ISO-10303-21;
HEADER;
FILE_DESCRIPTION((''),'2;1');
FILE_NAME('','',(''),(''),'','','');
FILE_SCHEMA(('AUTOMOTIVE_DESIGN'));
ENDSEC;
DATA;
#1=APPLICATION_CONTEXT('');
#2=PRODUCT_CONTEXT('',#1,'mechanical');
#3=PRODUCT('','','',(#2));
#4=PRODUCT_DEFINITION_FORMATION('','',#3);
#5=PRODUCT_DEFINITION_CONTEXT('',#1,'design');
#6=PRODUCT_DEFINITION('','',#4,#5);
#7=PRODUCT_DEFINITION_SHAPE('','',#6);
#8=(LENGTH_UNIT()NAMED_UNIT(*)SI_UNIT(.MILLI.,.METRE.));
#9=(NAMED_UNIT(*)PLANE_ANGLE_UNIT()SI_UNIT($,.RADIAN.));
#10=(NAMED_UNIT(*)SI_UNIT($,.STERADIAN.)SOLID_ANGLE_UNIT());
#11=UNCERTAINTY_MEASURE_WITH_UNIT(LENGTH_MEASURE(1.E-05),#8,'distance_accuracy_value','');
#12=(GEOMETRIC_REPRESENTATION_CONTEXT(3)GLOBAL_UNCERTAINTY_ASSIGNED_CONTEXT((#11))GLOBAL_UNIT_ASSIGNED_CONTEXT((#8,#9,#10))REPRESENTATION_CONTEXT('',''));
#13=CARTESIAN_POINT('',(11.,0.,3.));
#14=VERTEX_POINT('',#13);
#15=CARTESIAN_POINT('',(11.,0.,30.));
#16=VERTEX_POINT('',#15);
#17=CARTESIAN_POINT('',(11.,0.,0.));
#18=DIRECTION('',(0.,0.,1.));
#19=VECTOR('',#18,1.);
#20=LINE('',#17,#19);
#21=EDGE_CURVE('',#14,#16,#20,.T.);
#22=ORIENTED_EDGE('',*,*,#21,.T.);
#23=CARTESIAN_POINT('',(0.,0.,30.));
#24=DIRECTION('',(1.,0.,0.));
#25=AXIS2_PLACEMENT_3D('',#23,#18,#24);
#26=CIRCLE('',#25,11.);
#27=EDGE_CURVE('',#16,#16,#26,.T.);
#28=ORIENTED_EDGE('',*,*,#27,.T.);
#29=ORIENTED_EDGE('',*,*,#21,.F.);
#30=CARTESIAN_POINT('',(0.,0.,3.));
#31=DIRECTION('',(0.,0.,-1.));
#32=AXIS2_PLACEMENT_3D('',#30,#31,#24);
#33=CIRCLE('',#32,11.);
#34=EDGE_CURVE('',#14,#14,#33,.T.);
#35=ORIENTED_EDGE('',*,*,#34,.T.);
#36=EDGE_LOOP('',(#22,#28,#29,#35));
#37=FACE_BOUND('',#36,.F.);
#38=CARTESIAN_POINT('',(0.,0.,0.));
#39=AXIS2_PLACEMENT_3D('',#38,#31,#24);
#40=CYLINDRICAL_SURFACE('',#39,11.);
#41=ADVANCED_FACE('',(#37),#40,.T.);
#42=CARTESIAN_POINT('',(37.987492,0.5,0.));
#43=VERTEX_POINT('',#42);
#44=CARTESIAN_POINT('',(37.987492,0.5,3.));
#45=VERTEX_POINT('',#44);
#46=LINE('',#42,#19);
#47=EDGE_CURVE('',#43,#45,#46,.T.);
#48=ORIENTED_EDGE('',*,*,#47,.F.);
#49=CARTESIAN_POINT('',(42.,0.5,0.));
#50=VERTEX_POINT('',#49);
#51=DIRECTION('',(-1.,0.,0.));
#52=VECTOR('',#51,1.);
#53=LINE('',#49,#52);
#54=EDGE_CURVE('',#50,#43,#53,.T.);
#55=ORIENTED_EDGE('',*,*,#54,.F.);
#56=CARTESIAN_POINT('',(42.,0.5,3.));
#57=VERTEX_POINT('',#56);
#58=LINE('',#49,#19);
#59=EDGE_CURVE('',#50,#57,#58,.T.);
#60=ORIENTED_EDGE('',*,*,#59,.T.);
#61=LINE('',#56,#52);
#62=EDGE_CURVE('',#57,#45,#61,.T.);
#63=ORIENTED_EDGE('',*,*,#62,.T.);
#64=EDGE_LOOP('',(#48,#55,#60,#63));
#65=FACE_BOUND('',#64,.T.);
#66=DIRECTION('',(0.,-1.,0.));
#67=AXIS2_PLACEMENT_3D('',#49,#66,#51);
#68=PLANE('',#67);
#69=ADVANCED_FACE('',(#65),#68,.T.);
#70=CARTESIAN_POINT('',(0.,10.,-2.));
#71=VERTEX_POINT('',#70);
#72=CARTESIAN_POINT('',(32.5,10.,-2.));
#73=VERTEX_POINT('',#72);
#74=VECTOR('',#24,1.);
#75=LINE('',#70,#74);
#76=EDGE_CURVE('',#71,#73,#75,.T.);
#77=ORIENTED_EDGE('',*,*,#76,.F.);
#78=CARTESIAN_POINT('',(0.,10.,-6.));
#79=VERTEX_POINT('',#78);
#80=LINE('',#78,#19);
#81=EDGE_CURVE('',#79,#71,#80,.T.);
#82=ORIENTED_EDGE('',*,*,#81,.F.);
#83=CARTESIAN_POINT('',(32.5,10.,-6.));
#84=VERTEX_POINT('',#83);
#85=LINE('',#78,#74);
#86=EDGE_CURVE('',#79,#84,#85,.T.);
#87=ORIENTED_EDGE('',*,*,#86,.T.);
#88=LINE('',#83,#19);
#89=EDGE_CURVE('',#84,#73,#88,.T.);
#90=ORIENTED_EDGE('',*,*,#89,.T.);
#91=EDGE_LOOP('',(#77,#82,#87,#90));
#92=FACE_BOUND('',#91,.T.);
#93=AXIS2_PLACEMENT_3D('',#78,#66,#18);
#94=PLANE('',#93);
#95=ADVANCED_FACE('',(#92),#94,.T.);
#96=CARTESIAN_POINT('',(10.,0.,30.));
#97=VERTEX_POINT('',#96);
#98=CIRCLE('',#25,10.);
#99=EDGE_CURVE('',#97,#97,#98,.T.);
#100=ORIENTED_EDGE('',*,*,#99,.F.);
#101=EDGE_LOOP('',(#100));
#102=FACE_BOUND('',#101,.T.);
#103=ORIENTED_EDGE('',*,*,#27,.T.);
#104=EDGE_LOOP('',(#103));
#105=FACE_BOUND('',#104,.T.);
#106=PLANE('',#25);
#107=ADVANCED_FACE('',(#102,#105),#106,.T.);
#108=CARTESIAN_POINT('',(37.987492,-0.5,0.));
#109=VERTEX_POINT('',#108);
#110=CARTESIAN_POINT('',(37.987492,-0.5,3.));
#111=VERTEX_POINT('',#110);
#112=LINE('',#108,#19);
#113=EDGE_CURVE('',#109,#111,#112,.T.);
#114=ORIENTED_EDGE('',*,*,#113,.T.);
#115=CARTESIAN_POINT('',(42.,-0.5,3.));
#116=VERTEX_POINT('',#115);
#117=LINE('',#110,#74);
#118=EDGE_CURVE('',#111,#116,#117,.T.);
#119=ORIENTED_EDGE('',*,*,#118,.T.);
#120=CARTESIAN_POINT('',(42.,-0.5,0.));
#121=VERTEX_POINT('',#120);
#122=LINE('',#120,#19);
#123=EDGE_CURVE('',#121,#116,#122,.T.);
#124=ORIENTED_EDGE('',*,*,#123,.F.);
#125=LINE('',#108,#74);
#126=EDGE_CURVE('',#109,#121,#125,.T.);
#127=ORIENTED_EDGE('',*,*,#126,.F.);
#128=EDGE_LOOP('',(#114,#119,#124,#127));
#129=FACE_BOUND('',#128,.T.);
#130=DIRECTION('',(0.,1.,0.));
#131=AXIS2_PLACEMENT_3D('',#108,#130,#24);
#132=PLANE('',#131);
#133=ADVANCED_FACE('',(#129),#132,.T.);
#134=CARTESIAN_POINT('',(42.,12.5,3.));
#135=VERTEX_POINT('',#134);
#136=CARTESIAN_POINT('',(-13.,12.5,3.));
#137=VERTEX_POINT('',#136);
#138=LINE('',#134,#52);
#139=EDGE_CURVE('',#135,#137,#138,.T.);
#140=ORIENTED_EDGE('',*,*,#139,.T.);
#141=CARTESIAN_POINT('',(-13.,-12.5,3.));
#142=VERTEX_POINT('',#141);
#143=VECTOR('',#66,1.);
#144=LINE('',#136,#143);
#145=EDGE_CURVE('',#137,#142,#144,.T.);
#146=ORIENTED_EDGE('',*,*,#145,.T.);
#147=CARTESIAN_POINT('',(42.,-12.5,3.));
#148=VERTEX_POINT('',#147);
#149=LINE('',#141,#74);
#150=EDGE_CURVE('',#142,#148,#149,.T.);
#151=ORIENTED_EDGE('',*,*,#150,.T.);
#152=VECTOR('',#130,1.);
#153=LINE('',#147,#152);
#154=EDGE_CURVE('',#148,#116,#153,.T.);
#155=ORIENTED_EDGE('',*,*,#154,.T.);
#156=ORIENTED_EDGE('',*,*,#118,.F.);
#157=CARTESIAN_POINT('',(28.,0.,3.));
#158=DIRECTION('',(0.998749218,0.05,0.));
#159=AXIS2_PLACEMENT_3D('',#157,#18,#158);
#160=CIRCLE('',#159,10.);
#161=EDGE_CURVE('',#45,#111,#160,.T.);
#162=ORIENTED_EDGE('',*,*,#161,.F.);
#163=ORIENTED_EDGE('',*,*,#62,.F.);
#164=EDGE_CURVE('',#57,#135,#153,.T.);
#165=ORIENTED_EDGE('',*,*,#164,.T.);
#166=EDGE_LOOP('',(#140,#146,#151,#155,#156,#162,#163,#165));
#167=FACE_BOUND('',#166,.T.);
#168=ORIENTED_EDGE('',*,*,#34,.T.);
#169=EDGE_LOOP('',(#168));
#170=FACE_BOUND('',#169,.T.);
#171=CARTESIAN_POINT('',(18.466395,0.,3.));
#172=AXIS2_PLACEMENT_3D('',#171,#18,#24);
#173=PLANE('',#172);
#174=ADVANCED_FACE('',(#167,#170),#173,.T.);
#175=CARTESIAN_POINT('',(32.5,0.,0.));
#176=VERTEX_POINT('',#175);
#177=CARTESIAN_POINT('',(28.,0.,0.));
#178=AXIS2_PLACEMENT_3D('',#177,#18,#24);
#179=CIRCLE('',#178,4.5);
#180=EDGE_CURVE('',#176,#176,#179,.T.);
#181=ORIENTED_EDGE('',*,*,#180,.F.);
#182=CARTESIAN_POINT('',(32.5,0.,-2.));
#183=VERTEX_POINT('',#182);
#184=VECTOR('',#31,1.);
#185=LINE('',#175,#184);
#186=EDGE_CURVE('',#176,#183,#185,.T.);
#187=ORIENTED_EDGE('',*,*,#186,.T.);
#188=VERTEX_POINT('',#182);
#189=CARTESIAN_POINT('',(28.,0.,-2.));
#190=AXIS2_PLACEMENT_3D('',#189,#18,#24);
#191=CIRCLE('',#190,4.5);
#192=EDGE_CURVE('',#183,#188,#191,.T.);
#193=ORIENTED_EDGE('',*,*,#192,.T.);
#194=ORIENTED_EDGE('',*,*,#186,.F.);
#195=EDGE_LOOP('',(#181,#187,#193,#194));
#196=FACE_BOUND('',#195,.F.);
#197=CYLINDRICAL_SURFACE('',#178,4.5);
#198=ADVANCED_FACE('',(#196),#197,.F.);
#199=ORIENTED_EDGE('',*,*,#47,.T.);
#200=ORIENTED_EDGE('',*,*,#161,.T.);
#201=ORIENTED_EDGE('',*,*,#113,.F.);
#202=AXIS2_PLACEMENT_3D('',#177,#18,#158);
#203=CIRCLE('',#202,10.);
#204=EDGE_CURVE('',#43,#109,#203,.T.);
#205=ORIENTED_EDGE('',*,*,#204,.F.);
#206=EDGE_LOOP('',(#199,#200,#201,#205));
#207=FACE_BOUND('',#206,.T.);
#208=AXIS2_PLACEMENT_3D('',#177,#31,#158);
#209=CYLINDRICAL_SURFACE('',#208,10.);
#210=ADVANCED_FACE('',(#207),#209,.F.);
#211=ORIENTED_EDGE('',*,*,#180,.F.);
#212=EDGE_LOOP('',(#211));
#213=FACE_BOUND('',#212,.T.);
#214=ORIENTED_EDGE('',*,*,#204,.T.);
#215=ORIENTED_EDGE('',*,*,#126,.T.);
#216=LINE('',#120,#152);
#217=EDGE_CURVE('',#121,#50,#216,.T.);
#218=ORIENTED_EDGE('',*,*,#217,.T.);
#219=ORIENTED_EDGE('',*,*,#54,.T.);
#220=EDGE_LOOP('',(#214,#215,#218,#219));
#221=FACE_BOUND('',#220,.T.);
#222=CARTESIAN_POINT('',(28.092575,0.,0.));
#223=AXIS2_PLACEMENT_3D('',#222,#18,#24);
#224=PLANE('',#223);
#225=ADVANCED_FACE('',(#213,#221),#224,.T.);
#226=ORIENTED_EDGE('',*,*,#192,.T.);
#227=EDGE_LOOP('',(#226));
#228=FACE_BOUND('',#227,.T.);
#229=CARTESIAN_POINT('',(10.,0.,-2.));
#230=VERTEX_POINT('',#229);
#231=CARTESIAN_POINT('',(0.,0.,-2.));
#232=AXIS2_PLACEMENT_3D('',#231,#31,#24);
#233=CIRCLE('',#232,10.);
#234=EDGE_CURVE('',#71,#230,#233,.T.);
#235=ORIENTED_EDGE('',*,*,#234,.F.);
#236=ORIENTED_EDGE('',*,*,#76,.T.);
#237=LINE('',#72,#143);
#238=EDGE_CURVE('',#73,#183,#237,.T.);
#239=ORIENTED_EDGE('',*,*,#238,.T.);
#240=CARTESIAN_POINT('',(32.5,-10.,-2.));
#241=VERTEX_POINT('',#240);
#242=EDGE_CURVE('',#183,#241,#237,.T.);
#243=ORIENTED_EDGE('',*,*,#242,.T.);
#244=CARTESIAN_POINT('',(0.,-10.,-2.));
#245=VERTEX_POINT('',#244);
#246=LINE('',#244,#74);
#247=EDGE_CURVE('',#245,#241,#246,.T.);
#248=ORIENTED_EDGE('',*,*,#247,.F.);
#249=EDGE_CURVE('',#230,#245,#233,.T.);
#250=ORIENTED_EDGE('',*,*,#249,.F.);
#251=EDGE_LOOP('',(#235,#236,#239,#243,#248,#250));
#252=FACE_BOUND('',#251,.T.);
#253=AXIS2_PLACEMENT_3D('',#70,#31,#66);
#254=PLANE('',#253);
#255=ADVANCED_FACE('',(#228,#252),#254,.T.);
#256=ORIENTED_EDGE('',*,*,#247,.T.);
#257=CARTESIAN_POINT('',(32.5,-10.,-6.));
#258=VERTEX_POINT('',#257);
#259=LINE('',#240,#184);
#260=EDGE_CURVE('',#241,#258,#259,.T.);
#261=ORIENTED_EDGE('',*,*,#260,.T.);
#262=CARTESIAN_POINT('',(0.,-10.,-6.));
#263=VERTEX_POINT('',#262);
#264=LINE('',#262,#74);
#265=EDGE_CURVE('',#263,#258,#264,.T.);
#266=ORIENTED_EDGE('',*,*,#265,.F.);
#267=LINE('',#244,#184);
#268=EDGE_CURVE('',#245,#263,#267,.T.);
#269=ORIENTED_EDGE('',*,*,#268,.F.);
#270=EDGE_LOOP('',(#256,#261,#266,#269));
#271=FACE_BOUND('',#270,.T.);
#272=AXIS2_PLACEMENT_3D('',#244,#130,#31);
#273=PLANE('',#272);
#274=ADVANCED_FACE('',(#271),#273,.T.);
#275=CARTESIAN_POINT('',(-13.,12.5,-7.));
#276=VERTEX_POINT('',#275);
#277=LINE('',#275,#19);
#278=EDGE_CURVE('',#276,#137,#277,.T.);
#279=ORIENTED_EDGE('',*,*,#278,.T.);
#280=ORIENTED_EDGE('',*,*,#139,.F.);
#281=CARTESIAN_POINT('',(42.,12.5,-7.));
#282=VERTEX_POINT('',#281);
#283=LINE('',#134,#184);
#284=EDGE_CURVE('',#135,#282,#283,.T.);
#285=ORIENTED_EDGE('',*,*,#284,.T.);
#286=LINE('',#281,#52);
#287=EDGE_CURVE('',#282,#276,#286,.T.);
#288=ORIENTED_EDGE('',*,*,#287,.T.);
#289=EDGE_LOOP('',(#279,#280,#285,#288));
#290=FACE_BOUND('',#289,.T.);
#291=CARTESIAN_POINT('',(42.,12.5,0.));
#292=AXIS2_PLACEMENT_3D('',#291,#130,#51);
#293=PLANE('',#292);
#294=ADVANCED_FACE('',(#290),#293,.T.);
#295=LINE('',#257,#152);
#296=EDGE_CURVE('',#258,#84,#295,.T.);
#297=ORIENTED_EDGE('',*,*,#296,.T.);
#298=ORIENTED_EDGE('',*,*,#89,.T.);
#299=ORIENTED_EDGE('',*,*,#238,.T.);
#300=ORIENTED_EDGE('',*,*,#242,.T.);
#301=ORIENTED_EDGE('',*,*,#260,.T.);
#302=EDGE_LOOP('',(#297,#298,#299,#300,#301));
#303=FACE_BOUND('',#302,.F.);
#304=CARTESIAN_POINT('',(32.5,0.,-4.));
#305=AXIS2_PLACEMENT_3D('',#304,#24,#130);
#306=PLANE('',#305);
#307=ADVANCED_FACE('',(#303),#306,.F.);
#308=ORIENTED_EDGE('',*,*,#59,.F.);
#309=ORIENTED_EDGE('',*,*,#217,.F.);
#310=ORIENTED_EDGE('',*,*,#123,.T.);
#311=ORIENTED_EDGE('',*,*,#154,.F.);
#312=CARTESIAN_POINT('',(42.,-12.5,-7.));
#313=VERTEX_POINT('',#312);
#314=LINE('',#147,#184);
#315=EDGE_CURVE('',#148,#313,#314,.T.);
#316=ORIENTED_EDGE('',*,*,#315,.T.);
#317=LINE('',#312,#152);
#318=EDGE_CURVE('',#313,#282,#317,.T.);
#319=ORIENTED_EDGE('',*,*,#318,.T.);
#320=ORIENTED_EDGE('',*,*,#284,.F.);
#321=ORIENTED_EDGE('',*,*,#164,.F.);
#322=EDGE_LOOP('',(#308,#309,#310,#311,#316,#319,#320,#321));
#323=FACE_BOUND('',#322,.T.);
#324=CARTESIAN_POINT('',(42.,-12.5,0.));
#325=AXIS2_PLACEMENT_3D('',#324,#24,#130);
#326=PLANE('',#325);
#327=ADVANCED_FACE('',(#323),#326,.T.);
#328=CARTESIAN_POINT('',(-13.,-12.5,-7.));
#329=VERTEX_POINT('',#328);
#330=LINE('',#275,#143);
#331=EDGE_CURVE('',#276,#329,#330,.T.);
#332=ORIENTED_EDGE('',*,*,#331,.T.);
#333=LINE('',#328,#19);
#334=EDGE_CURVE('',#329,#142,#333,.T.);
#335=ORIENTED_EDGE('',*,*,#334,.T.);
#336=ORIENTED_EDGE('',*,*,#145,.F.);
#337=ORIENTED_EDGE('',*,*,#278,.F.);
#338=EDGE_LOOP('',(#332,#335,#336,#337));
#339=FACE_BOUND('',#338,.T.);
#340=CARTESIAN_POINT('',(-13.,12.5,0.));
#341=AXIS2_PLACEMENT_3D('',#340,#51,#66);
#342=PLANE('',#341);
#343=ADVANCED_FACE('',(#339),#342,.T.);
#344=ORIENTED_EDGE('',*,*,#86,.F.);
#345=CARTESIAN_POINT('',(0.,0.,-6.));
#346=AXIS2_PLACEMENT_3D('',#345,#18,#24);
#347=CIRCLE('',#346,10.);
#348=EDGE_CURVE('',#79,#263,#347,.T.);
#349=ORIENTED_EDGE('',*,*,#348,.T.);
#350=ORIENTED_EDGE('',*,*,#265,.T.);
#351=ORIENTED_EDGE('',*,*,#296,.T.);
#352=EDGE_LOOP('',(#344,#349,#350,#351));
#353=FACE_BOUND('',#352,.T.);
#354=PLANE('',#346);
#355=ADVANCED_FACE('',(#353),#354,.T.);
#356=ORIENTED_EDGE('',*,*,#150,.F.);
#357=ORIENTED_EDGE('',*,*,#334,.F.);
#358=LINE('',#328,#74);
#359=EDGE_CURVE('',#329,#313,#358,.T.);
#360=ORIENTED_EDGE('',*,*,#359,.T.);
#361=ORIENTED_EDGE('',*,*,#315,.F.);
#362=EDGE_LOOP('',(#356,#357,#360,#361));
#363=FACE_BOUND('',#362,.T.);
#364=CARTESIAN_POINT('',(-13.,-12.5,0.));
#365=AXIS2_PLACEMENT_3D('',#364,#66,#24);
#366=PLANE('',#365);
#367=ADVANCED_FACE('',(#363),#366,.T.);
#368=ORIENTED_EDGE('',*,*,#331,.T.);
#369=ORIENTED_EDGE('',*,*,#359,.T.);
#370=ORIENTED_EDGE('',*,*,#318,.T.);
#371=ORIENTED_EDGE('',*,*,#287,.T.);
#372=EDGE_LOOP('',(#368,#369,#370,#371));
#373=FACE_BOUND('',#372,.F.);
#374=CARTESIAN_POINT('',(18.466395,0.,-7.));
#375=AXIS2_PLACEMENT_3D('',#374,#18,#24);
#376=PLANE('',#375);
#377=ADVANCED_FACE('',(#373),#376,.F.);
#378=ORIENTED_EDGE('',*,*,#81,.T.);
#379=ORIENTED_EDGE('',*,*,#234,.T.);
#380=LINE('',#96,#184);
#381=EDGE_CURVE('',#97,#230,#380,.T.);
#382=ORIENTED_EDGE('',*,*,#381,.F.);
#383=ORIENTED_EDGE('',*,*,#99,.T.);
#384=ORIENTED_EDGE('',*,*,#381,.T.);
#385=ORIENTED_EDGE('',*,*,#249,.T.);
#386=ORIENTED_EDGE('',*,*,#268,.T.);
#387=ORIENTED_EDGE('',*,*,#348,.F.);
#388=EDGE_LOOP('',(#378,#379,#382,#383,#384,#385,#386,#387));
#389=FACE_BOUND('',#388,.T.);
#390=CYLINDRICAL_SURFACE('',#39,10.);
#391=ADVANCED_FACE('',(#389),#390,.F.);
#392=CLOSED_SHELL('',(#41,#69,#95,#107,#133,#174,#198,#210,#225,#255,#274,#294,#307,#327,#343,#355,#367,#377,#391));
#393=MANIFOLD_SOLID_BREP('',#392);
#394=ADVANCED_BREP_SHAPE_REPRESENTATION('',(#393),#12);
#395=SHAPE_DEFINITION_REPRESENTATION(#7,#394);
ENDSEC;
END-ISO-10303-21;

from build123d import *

# Parameters (mm, degrees)
F0_R          = 11
F0_R_2        = 10
F0_R_3        = 4.5
F1_DEPTH      = 3
F1_DEPTH_BACK = 7
F2_DEPTH      = 3
F3_DEPTH      = 6
F5_DEPTH      = 32.5
F6_DEPTH      = 30


with BuildPart() as f1:
    # F0 (on Top) → F1 (new body, two sides)
    with BuildSketch(Plane.XY) as f1_sk:
        with BuildLine():
            ThreePointArc((37.9874921777, -0.5), (18, 0), (37.9874921777, 0.5))
            Line((37.9874921777, 0.5), (42, 0.5))
            Line((42, 0.5), (42, 12.5))
            Line((42, 12.5), (-13, 12.5))
            Line((-13, 12.5), (-13, -12.5))
            Line((-13, -12.5), (42, -12.5))
            Line((42, -12.5), (42, -0.5))
            Line((42, -0.5), (37.9874921777, -0.5))
        make_face()
        Circle(F0_R, mode=Mode.SUBTRACT)
        Circle(F0_R)
        Circle(F0_R_2, mode=Mode.SUBTRACT)
        with BuildLine():
            ThreePointArc((37.9874921777, -0.5), (37.9968725554, -0.2500782106), (38, 0))
            ThreePointArc((38, 0), (37.9968725554, 0.2500782106), (37.9874921777, 0.5))
            ThreePointArc((37.9874921777, 0.5), (18, 0), (37.9874921777, -0.5))
        make_face()
        with Locations((28, 0)):
            Circle(F0_R_3, mode=Mode.SUBTRACT)
        Circle(F0_R_2)
        with Locations((28, 0)):
            Circle(F0_R_3)
        with BuildLine():
            ThreePointArc((37.9874921777, 0.5), (37.9968725554, 0.2500782106), (38, 0))
            Line((38, 0), (42, 0))
            Line((42, 0), (42, 0.5))
            Line((42, 0.5), (37.9874921777, 0.5))
        make_face()
        with BuildLine():
            Line((42, 0), (38, 0))
            ThreePointArc((38, 0), (37.9968725554, -0.2500782106), (37.9874921777, -0.5))
            Line((37.9874921777, -0.5), (42, -0.5))
            Line((42, -0.5), (42, 0))
        make_face()
    extrude(amount=F1_DEPTH)
    extrude(f1_sk.sketch, amount=-F1_DEPTH_BACK)

    # F0 (on Top) → F2 (cut)
    with BuildSketch(Plane.XY):
        Circle(F0_R_2)
        with BuildLine():
            ThreePointArc((37.9874921777, -0.5), (37.9968725554, -0.2500782106), (38, 0))
            ThreePointArc((38, 0), (37.9968725554, 0.2500782106), (37.9874921777, 0.5))
            ThreePointArc((37.9874921777, 0.5), (18, 0), (37.9874921777, -0.5))
        make_face()
        with Locations((28, 0)):
            Circle(F0_R_3, mode=Mode.SUBTRACT)
        with Locations((28, 0)):
            Circle(F0_R_3)
        with BuildLine():
            Line((42, 0), (38, 0))
            ThreePointArc((38, 0), (37.9968725554, -0.2500782106), (37.9874921777, -0.5))
            Line((37.9874921777, -0.5), (42, -0.5))
            Line((42, -0.5), (42, 0))
        make_face()
        with BuildLine():
            ThreePointArc((37.9874921777, 0.5), (37.9968725554, 0.2500782106), (38, 0))
            Line((38, 0), (42, 0))
            Line((42, 0), (42, 0.5))
            Line((42, 0.5), (37.9874921777, 0.5))
        make_face()
    extrude(amount=F2_DEPTH, mode=Mode.SUBTRACT)

    # F0 (on Top) → F3 (cut)
    with BuildSketch(Plane.XY):
        with Locations((28, 0)):
            Circle(F0_R_3)
        Circle(F0_R_2)
    extrude(amount=-F3_DEPTH, mode=Mode.SUBTRACT)

    # F4 (on Right) → F5 (cut)
    with BuildSketch(Plane.YZ):
        Polygon((10, -5), (10, -2), (-10, -2), (-10, -6), (10, -6), align=None)
    extrude(amount=F5_DEPTH, mode=Mode.SUBTRACT)

    # F0 (on Top) → F6 (join)
    with BuildSketch(Plane.XY):
        Circle(F0_R)
        Circle(F0_R_2, mode=Mode.SUBTRACT)
    extrude(amount=F6_DEPTH)


solid = f1.part
